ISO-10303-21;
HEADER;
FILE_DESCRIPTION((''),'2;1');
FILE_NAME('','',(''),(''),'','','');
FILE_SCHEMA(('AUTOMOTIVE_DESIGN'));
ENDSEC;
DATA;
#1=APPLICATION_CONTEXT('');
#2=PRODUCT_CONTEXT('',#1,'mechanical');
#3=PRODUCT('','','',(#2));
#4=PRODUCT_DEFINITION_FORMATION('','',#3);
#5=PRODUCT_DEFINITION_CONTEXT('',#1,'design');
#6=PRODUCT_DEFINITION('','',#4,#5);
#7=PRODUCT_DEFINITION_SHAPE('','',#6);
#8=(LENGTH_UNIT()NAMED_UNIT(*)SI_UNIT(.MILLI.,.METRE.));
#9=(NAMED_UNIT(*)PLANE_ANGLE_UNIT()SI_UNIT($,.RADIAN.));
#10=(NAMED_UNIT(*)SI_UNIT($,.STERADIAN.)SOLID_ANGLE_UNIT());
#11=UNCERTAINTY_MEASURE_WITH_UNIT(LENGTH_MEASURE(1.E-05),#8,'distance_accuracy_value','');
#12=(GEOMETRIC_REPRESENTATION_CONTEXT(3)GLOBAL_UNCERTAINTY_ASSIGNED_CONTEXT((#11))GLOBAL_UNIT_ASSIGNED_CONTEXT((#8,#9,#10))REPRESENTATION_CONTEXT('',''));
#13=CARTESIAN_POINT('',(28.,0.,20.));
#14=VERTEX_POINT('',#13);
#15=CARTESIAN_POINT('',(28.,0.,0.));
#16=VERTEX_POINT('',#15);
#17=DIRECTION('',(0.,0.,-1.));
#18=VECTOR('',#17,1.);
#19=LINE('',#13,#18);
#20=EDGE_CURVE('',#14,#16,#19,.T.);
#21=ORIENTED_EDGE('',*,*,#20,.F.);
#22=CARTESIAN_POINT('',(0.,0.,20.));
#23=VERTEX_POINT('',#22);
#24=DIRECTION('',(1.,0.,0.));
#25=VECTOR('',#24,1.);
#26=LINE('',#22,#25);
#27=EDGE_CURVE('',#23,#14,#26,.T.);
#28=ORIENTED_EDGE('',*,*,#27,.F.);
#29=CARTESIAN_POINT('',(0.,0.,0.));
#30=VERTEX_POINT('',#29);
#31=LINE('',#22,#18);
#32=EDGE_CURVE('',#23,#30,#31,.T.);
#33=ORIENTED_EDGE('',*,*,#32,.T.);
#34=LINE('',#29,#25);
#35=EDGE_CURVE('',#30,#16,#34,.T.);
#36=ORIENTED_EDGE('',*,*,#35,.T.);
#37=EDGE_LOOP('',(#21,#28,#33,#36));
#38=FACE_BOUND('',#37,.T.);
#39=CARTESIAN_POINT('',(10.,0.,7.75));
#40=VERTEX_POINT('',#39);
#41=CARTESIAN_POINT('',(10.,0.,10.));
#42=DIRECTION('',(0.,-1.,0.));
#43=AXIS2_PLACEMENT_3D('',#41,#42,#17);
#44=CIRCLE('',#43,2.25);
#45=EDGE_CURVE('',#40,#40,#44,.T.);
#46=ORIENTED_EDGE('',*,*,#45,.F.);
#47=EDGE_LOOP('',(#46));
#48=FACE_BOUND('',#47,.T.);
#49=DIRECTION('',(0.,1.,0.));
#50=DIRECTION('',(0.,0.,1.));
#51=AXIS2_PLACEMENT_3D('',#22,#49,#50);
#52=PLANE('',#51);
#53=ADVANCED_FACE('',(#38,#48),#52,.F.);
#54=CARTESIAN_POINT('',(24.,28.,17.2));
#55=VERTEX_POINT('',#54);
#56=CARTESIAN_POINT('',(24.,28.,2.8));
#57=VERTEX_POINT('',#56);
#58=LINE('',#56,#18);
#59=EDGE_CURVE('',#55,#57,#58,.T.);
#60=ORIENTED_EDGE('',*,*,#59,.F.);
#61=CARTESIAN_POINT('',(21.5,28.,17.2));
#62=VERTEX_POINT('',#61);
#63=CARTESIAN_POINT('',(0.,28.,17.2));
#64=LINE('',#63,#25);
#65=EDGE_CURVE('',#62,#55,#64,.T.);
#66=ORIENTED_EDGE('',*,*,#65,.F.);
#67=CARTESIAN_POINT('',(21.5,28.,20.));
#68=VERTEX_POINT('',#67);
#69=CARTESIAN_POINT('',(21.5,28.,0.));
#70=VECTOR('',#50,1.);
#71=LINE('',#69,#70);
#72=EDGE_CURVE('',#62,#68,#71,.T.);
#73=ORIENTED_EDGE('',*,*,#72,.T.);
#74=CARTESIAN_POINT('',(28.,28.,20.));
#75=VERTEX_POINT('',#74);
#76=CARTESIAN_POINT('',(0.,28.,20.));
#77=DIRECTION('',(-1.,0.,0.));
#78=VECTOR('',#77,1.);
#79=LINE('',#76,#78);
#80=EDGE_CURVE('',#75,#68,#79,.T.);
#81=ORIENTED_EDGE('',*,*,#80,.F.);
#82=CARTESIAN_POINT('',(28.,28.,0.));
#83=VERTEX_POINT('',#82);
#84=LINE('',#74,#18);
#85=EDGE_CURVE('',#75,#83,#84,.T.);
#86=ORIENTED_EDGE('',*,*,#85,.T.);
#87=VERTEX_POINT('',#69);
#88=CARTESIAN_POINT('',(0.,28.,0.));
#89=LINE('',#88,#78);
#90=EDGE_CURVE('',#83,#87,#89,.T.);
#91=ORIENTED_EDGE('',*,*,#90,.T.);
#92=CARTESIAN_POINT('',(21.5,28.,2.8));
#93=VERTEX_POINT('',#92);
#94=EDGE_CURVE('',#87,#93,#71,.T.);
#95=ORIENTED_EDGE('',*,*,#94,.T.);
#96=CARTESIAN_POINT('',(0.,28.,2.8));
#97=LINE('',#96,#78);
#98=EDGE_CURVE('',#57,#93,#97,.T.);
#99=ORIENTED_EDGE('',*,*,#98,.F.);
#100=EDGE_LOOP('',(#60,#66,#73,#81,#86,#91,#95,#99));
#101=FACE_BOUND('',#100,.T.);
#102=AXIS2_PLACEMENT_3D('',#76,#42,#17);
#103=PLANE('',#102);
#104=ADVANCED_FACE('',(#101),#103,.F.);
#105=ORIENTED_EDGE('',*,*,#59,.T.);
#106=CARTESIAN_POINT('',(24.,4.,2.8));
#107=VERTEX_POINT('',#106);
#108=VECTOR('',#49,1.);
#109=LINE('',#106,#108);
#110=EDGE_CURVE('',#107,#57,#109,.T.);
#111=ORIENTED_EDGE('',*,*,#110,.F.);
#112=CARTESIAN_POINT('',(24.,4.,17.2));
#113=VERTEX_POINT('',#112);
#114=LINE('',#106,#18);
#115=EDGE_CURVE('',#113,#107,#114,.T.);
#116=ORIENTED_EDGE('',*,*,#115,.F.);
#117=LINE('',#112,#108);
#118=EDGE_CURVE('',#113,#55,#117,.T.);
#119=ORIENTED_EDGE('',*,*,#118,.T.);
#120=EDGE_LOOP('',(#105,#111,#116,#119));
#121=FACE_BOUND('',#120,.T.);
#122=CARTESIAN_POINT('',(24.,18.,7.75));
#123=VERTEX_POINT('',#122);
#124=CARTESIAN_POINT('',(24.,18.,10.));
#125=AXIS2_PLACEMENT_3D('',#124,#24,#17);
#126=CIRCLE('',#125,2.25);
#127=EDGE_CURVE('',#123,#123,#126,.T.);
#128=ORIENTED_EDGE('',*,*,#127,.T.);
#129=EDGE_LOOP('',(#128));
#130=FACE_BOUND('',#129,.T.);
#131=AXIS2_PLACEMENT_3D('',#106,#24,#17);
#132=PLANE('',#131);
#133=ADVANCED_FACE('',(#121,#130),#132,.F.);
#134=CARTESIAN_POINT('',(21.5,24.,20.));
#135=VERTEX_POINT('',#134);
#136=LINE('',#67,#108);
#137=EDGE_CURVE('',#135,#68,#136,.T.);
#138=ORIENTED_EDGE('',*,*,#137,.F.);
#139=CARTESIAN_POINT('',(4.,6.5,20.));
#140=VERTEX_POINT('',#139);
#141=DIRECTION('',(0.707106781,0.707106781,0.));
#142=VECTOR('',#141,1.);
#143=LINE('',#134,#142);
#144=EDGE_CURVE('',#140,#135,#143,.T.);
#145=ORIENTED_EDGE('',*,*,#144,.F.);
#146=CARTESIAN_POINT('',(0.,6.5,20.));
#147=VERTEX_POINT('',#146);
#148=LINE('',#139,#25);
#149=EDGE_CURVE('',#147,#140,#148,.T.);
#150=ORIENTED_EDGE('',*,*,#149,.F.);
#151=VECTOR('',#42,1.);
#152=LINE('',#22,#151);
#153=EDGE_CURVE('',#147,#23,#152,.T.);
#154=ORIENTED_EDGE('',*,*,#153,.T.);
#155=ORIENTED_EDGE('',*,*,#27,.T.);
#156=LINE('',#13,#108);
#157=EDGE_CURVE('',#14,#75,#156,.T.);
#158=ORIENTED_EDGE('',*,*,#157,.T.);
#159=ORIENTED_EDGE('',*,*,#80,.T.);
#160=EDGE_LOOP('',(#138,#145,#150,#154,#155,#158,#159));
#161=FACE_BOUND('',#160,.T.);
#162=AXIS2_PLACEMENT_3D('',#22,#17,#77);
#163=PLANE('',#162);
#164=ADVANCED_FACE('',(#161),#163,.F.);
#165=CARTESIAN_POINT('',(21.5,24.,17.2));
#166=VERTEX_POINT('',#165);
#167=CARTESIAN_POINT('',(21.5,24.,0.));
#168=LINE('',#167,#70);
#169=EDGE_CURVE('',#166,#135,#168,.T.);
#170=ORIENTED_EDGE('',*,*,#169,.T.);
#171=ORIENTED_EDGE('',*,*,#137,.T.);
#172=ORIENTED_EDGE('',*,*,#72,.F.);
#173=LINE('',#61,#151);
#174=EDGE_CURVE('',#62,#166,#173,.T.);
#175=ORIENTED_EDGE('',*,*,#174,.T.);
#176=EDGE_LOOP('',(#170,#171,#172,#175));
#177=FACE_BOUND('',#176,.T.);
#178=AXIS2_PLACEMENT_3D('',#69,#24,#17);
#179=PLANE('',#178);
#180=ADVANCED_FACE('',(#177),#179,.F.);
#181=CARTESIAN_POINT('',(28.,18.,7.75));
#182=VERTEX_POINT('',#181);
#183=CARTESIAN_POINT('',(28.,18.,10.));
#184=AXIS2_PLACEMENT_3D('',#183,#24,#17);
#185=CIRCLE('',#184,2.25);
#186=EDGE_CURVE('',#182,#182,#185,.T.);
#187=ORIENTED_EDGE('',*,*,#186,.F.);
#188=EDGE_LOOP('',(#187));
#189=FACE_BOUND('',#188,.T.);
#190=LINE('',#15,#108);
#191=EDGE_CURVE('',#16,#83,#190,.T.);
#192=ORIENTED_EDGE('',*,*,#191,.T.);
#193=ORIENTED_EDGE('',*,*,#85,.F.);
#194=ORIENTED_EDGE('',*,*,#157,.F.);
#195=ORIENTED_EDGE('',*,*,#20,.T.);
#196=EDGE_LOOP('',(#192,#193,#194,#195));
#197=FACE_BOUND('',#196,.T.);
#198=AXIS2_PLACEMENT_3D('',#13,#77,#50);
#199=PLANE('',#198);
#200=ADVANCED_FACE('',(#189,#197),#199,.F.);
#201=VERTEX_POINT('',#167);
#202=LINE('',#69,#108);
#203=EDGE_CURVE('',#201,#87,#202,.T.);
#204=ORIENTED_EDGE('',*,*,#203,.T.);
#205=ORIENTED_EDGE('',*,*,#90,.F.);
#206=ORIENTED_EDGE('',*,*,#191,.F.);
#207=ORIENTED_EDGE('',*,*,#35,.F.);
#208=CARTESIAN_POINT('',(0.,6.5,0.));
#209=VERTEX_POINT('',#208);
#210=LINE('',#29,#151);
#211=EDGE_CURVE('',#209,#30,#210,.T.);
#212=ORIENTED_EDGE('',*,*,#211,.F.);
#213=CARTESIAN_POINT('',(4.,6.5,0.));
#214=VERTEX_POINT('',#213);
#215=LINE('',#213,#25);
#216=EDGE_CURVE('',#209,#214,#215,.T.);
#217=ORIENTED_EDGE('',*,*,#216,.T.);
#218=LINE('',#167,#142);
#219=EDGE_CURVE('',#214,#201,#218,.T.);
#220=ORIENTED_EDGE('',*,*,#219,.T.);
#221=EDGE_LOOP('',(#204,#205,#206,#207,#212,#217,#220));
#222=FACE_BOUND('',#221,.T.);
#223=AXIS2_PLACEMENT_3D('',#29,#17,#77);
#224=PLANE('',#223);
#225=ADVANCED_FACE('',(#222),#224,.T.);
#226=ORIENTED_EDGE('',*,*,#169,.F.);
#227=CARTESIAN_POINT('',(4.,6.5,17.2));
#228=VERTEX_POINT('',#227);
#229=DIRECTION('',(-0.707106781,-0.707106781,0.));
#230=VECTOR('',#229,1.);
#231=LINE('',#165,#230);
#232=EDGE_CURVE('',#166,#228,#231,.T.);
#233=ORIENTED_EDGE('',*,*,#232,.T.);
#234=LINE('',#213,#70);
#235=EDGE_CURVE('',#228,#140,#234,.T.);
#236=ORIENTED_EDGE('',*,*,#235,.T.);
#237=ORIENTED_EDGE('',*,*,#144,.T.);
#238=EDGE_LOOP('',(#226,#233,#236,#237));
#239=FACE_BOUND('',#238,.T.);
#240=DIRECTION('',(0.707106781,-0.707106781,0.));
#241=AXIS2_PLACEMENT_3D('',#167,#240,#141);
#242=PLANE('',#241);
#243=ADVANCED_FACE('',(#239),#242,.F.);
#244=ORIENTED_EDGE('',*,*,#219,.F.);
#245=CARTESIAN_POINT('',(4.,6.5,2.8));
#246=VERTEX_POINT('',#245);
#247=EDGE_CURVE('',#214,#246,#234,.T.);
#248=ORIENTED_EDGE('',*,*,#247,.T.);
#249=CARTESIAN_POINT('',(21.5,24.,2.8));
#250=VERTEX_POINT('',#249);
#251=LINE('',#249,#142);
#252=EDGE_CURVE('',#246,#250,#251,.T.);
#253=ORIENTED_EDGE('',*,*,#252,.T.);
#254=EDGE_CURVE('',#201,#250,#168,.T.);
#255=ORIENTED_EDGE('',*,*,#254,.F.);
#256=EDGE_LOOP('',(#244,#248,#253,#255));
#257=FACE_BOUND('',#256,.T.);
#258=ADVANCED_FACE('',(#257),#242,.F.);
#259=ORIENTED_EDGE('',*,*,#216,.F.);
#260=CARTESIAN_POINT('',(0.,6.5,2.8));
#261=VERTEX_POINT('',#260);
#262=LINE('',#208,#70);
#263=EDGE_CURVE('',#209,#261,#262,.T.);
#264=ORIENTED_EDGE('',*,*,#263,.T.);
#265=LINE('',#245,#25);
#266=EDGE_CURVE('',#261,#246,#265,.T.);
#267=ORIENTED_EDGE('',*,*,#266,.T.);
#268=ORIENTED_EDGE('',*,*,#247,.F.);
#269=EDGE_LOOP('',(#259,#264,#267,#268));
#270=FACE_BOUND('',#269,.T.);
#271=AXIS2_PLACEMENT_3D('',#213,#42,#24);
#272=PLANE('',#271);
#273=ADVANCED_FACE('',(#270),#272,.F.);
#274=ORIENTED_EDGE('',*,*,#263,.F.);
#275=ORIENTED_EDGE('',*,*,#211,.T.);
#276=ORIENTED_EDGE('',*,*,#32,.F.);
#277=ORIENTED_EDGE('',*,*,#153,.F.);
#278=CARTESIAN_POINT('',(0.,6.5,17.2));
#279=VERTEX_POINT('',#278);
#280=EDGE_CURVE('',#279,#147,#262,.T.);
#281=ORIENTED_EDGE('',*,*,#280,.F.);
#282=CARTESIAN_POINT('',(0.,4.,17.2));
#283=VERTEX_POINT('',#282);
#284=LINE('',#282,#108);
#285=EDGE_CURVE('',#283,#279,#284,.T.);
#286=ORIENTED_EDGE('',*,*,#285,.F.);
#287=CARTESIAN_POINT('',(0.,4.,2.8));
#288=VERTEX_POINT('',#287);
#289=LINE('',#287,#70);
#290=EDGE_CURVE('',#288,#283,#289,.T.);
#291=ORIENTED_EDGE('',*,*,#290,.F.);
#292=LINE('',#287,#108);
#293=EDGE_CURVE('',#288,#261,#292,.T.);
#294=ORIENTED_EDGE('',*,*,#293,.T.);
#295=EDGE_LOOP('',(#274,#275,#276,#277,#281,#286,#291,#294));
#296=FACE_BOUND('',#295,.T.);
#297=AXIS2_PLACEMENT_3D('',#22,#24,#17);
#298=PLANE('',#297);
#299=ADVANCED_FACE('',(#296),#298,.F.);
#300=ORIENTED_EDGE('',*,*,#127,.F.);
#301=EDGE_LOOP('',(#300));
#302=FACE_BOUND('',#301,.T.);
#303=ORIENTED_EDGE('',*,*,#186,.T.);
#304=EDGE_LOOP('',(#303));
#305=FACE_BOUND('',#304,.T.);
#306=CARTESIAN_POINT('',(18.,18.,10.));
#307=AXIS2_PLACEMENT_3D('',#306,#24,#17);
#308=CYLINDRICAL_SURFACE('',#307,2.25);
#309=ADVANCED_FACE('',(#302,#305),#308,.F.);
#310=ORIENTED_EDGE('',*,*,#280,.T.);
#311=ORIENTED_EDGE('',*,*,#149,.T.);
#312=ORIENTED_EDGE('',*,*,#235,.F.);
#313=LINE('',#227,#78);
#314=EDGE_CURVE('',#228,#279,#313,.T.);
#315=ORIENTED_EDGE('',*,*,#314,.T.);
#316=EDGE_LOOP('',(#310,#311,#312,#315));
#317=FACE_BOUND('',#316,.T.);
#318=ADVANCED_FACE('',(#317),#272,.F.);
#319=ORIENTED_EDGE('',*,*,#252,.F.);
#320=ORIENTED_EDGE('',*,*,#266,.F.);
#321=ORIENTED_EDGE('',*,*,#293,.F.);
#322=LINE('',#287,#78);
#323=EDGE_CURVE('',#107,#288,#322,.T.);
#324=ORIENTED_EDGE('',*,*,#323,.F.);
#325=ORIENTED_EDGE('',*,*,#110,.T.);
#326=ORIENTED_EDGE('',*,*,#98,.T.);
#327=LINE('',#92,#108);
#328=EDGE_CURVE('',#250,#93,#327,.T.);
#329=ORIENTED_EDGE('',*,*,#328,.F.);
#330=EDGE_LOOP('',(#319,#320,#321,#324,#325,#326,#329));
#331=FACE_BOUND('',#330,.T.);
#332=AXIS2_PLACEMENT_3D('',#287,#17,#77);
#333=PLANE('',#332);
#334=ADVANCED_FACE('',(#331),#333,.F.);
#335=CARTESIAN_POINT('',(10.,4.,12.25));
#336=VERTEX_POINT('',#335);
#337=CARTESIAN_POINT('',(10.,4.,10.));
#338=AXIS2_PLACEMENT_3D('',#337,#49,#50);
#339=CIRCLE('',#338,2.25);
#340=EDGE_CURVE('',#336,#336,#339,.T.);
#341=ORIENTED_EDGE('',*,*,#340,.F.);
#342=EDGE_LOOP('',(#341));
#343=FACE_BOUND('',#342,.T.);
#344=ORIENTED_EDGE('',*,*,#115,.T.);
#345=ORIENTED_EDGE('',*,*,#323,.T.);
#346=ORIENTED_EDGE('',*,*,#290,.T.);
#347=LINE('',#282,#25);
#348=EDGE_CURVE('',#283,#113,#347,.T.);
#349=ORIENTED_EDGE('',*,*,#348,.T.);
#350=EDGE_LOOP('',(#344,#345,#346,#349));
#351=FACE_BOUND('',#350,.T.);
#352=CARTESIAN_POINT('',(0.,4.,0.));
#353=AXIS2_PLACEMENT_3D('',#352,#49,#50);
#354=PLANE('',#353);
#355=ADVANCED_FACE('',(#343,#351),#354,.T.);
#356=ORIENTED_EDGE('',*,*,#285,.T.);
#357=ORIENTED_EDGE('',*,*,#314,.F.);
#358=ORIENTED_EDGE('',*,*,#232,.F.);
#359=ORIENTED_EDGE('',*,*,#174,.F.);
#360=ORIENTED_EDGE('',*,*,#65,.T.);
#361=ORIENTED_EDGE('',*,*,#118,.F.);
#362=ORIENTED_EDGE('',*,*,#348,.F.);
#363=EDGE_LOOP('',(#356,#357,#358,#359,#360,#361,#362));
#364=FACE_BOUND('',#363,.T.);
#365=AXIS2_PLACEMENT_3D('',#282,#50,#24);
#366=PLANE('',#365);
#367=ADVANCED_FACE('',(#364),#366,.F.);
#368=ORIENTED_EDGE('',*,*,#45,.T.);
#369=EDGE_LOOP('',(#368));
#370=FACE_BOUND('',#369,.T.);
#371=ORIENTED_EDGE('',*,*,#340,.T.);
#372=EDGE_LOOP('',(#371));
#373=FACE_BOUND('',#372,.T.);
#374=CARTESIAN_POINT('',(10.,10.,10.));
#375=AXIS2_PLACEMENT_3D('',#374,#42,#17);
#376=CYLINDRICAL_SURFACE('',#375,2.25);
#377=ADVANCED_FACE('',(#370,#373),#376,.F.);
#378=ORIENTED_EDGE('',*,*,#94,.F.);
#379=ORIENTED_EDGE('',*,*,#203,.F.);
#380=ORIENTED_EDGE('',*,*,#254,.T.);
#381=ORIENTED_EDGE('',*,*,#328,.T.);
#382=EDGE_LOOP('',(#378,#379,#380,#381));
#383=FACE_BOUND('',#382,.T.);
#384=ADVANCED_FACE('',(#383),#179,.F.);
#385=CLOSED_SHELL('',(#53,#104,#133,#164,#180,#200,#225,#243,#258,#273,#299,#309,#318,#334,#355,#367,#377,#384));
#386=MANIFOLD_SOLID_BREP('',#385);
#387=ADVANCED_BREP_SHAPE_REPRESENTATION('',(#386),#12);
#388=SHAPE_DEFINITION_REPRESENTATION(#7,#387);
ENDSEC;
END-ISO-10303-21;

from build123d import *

# Parameters (mm, degrees)
SKETCH_1_W          = 28
SKETCH_1_H          = 28
EXTRUDE_1_DEPTH     = 20
CUT_EXTRUDE_1_DEPTH = 20
SKETCH_3_W          = 24
SKETCH_3_H          = 14.4
CUT_EXTRUDE_2_DEPTH = 24
SKETCH_4_R          = 2.25
CUT_EXTRUDE_3_DEPTH = 10
SKETCH_5_R          = 2.25
CUT_EXTRUDE_4_DEPTH = 10


with BuildPart() as part:
    # 草图1 → 凸台-拉伸1 (new body)
    with BuildSketch(Plane.XY):
        with Locations((14, 14)):
            Rectangle(SKETCH_1_W, SKETCH_1_H)
    extrude(amount=EXTRUDE_1_DEPTH)

    # 草图2 → 切除-拉伸1 (cut)
    with BuildSketch(Plane.XY.offset(20)):
        Polygon((21.5, 28), (21.5, 24), (4, 6.5), (0, 6.5), (0, 28), align=None)
    extrude(amount=-CUT_EXTRUDE_1_DEPTH, mode=Mode.SUBTRACT)

    # 草图3 → 切除-拉伸2 (cut)
    with BuildSketch(Plane(origin=(0, 28, 0), x_dir=(1, 0, 0), z_dir=(0, 1, 0))):
        with Locations((12, -10)):
            Rectangle(SKETCH_3_W, SKETCH_3_H)
    extrude(amount=-CUT_EXTRUDE_2_DEPTH, mode=Mode.SUBTRACT)

    # 草图4 → 切除-拉伸3 (cut)
    with BuildSketch(Plane.XZ):
        with Locations(Location((10, 10, 0), (0, 0, 270))):
            Circle(SKETCH_4_R)
    extrude(amount=-CUT_EXTRUDE_3_DEPTH, mode=Mode.SUBTRACT)

    # 草图5 → 切除-拉伸4 (cut)
    with BuildSketch(Plane(origin=(28, 0, 0), x_dir=(0, 0, -1), z_dir=(1, 0, 0))):
        with Locations((-10, 18)):
            Circle(SKETCH_5_R)
    extrude(amount=-CUT_EXTRUDE_4_DEPTH, mode=Mode.SUBTRACT)


solid = part.part
